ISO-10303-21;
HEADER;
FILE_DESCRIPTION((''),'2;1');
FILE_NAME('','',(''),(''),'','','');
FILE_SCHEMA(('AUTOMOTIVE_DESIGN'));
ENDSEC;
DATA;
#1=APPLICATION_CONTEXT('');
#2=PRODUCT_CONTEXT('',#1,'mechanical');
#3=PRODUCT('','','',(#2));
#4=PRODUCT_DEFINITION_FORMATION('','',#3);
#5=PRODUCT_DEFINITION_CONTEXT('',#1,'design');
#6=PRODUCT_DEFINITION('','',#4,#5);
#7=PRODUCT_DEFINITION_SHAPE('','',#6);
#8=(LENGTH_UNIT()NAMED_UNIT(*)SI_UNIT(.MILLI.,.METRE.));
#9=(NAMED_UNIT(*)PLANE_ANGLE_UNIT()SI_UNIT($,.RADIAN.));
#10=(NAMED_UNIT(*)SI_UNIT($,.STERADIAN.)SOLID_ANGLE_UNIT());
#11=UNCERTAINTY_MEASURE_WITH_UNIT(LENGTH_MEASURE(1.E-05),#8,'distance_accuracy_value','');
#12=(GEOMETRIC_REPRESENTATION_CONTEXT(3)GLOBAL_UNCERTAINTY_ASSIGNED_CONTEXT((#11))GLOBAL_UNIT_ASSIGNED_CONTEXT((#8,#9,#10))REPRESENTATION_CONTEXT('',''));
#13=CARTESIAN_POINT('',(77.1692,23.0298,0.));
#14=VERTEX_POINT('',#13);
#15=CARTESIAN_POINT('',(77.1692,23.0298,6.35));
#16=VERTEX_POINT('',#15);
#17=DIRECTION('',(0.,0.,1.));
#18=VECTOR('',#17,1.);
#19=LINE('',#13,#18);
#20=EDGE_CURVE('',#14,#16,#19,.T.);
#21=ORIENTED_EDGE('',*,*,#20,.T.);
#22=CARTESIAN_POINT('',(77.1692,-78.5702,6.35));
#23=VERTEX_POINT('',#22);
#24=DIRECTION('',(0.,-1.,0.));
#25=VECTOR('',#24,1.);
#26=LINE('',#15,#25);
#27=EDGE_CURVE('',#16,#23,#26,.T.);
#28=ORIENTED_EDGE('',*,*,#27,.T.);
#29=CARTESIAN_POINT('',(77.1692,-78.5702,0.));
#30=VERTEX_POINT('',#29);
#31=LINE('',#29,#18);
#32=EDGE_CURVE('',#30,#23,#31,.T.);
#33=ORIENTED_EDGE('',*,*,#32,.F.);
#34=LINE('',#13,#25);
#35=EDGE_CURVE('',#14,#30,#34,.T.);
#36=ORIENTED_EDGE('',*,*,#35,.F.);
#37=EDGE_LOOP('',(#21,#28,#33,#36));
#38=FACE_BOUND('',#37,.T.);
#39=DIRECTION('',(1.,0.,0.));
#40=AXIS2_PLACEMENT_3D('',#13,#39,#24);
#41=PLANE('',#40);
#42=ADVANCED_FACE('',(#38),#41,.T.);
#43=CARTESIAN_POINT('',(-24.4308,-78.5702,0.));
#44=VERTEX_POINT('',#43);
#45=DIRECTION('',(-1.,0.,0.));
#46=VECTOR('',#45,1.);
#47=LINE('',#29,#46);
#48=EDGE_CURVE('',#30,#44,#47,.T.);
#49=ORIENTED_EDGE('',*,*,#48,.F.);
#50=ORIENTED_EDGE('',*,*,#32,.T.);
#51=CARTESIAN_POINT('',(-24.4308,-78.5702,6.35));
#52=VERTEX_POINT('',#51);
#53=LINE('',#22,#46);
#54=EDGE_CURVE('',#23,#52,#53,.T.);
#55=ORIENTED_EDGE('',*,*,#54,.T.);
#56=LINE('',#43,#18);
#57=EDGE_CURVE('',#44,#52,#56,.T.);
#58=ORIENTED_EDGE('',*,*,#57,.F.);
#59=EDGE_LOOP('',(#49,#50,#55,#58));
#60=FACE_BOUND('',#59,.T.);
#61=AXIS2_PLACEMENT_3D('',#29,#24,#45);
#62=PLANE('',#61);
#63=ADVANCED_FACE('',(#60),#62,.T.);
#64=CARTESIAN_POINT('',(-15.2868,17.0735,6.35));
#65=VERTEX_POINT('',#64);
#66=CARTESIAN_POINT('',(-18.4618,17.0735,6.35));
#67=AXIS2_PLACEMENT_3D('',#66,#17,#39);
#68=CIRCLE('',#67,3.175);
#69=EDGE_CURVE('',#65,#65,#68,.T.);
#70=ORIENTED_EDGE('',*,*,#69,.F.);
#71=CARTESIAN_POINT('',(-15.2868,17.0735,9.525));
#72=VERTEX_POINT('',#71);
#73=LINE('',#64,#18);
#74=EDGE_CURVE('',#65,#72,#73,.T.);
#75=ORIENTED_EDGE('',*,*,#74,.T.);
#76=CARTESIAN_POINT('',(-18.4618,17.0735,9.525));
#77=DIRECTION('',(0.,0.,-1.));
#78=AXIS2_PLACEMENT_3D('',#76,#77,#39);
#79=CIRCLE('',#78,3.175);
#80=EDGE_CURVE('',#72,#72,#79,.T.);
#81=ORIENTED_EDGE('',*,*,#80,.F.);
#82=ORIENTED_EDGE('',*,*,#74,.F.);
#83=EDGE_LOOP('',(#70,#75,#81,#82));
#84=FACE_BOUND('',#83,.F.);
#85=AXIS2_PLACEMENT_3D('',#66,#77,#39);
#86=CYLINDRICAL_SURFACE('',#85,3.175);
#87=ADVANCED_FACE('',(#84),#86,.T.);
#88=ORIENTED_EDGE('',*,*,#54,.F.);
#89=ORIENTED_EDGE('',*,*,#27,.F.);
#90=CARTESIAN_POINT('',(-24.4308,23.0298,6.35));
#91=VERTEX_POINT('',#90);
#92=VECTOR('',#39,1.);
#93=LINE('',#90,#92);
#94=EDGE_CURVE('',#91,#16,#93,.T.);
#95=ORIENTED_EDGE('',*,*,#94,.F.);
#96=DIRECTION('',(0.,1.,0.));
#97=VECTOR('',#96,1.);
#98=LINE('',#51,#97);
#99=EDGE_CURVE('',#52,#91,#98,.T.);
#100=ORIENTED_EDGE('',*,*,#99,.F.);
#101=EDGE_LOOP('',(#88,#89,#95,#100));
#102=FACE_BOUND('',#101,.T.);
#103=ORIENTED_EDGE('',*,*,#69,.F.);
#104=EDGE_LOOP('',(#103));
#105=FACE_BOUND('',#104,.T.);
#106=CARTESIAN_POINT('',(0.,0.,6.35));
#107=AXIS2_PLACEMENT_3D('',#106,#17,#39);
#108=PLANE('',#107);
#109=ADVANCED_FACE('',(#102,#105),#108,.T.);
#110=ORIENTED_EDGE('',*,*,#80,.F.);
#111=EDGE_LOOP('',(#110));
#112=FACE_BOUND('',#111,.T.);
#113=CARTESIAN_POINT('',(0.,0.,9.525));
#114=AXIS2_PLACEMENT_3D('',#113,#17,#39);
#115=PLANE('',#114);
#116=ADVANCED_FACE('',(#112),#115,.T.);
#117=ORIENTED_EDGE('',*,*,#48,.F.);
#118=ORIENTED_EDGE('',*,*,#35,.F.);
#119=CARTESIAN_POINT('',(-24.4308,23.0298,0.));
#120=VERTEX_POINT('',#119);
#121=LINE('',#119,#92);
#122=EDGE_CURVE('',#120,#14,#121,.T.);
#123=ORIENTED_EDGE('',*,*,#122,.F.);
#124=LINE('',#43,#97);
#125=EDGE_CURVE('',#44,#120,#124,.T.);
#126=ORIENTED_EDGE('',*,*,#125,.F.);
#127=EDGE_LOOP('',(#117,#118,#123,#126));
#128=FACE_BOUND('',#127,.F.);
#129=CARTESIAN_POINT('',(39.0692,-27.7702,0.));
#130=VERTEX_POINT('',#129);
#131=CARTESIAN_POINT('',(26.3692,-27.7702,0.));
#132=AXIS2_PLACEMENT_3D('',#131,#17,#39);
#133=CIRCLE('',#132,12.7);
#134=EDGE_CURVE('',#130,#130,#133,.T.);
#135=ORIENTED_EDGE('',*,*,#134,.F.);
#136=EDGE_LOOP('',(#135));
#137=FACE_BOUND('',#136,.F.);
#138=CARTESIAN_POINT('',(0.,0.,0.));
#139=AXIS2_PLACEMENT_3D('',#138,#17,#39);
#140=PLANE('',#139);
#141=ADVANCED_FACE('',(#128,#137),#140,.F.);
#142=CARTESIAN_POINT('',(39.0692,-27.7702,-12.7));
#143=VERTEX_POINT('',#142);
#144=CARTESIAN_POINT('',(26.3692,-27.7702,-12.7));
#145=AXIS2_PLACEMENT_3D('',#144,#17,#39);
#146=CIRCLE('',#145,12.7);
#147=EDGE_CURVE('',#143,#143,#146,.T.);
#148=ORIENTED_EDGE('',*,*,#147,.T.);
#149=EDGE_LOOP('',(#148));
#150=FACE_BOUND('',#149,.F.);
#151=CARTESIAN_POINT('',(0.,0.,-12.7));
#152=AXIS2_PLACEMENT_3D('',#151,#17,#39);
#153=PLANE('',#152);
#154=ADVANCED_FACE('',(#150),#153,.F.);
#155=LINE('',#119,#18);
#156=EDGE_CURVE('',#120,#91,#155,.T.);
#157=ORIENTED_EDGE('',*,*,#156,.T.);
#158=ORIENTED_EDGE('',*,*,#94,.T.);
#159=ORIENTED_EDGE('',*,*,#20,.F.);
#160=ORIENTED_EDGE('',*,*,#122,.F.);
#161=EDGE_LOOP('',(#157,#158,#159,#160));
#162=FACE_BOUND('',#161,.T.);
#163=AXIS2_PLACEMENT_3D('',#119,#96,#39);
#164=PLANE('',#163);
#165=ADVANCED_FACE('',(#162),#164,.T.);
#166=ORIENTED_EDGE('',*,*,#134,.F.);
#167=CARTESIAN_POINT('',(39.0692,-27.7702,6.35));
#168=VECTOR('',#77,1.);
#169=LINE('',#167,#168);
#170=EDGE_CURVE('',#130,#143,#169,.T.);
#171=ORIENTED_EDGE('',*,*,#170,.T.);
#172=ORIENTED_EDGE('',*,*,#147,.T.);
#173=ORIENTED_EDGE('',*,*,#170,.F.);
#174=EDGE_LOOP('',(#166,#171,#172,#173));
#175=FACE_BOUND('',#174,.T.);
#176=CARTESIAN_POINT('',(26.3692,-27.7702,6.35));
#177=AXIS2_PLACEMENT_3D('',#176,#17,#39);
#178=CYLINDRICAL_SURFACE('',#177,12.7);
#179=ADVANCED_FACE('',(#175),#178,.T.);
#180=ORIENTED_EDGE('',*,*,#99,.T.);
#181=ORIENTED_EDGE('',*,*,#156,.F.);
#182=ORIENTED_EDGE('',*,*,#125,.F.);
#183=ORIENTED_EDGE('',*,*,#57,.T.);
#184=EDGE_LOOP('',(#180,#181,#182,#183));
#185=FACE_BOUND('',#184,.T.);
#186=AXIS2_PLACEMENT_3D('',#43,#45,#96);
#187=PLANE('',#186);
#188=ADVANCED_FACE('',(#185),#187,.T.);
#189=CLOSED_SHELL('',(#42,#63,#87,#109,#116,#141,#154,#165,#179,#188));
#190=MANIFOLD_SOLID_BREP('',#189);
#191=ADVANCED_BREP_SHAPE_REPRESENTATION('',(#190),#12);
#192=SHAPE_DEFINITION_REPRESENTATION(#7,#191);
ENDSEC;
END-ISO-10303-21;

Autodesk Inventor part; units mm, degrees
ref_plane "YZ Plane" through (0, 0, 0) normal (1, 0, 0) x (0, 1, 0)
ref_plane "XZ Plane" through (0, 0, 0) normal (0, 1, 0) x (-1, 0, 0)
ref_plane "XY Plane" through (0, 0, 0) normal (0, 0, 1) x (1, 0, 0)
sketch "Sketch1" plane through (0, 0, 0) normal (0, 0, 1) x (1, 0, 0)
  line L0 (-24.4308, 23.0298) -> (77.1692, 23.0298)
  line L1 (77.1692, 23.0298) -> (77.1692, -78.5702)
  line L2 (77.1692, -78.5702) -> (-24.4308, -78.5702)
  line L3 (-24.4308, -78.5702) -> (-24.4308, 23.0298)
  point P0 (0, 0)
  dimension "d0" = 101.6
  dimension "d1" = 101.6
extrude "Extrusion1" add sketch "Sketch1" along normal blind 6.35
sketch "Sketch2" plane through (0, 0, 6.35) normal (0, 0, 1) x (1, 0, 0)
  line L0 (-24.4308, 23.0298) -> (26.3692, 23.0298)
  line L1 (26.3692, 23.0298) -> (26.3692, -27.7702)
  line L2 (26.3692, -27.7702) -> (-24.4308, -27.7702)
  line L3 (-24.4308, -27.7702) -> (-24.4308, 23.0298)
  circle A0 centre (26.3692, -27.7702) radius 12.7
  point P0 (0, 0)
  dimension "d4" = 50.8
  dimension "d5" = 50.8
  dimension "d6" = 25.4
extrude "Extrusion2" cut sketch "Sketch2" against normal blind 6.35 contours A0 L2 L1 | L1 L2 A0
sketch "Sketch3" plane through (0, 0, 6.35) normal (0, 0, 1) x (1, 0, 0)
  line L0 (-24.4308, 23.0298) -> (77.1692, 23.0298) projected
  line L1 (-24.4308, -78.5702) -> (-24.4308, 23.0298) projected
  line L2 (-24.4308, 23.0298) -> (-24.4308, -27.7702)
  line L3 (-24.4308, -27.7702) -> (-24.4308, 11.9935)
  line L4 (-24.4308, 11.9935) -> (-13.3818, 11.9935)
  line L5 (-13.3818, 11.9935) -> (-13.3818, 23.0298)
  line L6 (-13.3818, 23.0298) -> (-24.4308, 23.0298)
  line L7 (-24.4308, 23.0298) -> (-24.4308, 11.9935)
  circle A0 centre (-13.3818, 11.9935) radius 3.175
  point P0 (0, 0)
  dimension "d9" = 50.8
  dimension "d10" = 39.7637
  dimension "d11" = 11.049
  dimension "d12" = 6.35
extrude "Extrusion3" add sketch "Sketch3" along normal blind 6.35 contours A0 L4 L5 | L5 L4 A0
sketch "Sketch4" plane through (0, 0, 6.35) normal (0, 0, 1) x (1, 0, 0)
  circle A0 centre (26.3692, -27.7702) radius 12.7 projected
  point P0 (0, 0)
extrude "Extrusion4" add sketch "Sketch4" against normal blind 19.05
sketch "Sketch5" plane through (0, 0, 6.35) normal (0, 0, 1) x (1, 0, 0)
  line L0 (-24.4308, -78.5702) -> (-24.4308, 23.0298) projected
  line L1 (-24.4308, 23.0298) -> (-24.4308, -27.7702)
  line L2 (-24.4308, -27.7702) -> (-24.4308, 17.0735)
  line L3 (-24.4308, 23.0298) -> (-18.4618, 23.0298)
  line L4 (-18.4618, 23.0298) -> (-18.4618, 17.0735)
  line L5 (-18.4618, 17.0735) -> (-24.4308, 17.0735)
  line L6 (-24.4308, 17.0735) -> (-24.4308, 23.0298)
  circle A0 centre (-18.4618, 17.0735) radius 3.175
  point P0 (0, 0)
  dimension "d17" = 50.8
  dimension "d18" = 44.8437
  dimension "d19" = 5.969
  dimension "d20" = 6.35
extrude "Extrusion5" add sketch "Sketch5" along normal blind 3.175 contours A0 L4 L5 | L5 L4 A0
sketch "Sketch6" plane through (-13.3818, 11.9935, 12.7) normal (0, 0, 1) x (1, 0, 0)
  circle A0 centre (0, 0) radius 3.175 projected
  point P0 (13.3818, -11.9935)
extrude "Extrusion6" cut sketch "Sketch6" against normal blind 6.35
properties part number "lasiness"
